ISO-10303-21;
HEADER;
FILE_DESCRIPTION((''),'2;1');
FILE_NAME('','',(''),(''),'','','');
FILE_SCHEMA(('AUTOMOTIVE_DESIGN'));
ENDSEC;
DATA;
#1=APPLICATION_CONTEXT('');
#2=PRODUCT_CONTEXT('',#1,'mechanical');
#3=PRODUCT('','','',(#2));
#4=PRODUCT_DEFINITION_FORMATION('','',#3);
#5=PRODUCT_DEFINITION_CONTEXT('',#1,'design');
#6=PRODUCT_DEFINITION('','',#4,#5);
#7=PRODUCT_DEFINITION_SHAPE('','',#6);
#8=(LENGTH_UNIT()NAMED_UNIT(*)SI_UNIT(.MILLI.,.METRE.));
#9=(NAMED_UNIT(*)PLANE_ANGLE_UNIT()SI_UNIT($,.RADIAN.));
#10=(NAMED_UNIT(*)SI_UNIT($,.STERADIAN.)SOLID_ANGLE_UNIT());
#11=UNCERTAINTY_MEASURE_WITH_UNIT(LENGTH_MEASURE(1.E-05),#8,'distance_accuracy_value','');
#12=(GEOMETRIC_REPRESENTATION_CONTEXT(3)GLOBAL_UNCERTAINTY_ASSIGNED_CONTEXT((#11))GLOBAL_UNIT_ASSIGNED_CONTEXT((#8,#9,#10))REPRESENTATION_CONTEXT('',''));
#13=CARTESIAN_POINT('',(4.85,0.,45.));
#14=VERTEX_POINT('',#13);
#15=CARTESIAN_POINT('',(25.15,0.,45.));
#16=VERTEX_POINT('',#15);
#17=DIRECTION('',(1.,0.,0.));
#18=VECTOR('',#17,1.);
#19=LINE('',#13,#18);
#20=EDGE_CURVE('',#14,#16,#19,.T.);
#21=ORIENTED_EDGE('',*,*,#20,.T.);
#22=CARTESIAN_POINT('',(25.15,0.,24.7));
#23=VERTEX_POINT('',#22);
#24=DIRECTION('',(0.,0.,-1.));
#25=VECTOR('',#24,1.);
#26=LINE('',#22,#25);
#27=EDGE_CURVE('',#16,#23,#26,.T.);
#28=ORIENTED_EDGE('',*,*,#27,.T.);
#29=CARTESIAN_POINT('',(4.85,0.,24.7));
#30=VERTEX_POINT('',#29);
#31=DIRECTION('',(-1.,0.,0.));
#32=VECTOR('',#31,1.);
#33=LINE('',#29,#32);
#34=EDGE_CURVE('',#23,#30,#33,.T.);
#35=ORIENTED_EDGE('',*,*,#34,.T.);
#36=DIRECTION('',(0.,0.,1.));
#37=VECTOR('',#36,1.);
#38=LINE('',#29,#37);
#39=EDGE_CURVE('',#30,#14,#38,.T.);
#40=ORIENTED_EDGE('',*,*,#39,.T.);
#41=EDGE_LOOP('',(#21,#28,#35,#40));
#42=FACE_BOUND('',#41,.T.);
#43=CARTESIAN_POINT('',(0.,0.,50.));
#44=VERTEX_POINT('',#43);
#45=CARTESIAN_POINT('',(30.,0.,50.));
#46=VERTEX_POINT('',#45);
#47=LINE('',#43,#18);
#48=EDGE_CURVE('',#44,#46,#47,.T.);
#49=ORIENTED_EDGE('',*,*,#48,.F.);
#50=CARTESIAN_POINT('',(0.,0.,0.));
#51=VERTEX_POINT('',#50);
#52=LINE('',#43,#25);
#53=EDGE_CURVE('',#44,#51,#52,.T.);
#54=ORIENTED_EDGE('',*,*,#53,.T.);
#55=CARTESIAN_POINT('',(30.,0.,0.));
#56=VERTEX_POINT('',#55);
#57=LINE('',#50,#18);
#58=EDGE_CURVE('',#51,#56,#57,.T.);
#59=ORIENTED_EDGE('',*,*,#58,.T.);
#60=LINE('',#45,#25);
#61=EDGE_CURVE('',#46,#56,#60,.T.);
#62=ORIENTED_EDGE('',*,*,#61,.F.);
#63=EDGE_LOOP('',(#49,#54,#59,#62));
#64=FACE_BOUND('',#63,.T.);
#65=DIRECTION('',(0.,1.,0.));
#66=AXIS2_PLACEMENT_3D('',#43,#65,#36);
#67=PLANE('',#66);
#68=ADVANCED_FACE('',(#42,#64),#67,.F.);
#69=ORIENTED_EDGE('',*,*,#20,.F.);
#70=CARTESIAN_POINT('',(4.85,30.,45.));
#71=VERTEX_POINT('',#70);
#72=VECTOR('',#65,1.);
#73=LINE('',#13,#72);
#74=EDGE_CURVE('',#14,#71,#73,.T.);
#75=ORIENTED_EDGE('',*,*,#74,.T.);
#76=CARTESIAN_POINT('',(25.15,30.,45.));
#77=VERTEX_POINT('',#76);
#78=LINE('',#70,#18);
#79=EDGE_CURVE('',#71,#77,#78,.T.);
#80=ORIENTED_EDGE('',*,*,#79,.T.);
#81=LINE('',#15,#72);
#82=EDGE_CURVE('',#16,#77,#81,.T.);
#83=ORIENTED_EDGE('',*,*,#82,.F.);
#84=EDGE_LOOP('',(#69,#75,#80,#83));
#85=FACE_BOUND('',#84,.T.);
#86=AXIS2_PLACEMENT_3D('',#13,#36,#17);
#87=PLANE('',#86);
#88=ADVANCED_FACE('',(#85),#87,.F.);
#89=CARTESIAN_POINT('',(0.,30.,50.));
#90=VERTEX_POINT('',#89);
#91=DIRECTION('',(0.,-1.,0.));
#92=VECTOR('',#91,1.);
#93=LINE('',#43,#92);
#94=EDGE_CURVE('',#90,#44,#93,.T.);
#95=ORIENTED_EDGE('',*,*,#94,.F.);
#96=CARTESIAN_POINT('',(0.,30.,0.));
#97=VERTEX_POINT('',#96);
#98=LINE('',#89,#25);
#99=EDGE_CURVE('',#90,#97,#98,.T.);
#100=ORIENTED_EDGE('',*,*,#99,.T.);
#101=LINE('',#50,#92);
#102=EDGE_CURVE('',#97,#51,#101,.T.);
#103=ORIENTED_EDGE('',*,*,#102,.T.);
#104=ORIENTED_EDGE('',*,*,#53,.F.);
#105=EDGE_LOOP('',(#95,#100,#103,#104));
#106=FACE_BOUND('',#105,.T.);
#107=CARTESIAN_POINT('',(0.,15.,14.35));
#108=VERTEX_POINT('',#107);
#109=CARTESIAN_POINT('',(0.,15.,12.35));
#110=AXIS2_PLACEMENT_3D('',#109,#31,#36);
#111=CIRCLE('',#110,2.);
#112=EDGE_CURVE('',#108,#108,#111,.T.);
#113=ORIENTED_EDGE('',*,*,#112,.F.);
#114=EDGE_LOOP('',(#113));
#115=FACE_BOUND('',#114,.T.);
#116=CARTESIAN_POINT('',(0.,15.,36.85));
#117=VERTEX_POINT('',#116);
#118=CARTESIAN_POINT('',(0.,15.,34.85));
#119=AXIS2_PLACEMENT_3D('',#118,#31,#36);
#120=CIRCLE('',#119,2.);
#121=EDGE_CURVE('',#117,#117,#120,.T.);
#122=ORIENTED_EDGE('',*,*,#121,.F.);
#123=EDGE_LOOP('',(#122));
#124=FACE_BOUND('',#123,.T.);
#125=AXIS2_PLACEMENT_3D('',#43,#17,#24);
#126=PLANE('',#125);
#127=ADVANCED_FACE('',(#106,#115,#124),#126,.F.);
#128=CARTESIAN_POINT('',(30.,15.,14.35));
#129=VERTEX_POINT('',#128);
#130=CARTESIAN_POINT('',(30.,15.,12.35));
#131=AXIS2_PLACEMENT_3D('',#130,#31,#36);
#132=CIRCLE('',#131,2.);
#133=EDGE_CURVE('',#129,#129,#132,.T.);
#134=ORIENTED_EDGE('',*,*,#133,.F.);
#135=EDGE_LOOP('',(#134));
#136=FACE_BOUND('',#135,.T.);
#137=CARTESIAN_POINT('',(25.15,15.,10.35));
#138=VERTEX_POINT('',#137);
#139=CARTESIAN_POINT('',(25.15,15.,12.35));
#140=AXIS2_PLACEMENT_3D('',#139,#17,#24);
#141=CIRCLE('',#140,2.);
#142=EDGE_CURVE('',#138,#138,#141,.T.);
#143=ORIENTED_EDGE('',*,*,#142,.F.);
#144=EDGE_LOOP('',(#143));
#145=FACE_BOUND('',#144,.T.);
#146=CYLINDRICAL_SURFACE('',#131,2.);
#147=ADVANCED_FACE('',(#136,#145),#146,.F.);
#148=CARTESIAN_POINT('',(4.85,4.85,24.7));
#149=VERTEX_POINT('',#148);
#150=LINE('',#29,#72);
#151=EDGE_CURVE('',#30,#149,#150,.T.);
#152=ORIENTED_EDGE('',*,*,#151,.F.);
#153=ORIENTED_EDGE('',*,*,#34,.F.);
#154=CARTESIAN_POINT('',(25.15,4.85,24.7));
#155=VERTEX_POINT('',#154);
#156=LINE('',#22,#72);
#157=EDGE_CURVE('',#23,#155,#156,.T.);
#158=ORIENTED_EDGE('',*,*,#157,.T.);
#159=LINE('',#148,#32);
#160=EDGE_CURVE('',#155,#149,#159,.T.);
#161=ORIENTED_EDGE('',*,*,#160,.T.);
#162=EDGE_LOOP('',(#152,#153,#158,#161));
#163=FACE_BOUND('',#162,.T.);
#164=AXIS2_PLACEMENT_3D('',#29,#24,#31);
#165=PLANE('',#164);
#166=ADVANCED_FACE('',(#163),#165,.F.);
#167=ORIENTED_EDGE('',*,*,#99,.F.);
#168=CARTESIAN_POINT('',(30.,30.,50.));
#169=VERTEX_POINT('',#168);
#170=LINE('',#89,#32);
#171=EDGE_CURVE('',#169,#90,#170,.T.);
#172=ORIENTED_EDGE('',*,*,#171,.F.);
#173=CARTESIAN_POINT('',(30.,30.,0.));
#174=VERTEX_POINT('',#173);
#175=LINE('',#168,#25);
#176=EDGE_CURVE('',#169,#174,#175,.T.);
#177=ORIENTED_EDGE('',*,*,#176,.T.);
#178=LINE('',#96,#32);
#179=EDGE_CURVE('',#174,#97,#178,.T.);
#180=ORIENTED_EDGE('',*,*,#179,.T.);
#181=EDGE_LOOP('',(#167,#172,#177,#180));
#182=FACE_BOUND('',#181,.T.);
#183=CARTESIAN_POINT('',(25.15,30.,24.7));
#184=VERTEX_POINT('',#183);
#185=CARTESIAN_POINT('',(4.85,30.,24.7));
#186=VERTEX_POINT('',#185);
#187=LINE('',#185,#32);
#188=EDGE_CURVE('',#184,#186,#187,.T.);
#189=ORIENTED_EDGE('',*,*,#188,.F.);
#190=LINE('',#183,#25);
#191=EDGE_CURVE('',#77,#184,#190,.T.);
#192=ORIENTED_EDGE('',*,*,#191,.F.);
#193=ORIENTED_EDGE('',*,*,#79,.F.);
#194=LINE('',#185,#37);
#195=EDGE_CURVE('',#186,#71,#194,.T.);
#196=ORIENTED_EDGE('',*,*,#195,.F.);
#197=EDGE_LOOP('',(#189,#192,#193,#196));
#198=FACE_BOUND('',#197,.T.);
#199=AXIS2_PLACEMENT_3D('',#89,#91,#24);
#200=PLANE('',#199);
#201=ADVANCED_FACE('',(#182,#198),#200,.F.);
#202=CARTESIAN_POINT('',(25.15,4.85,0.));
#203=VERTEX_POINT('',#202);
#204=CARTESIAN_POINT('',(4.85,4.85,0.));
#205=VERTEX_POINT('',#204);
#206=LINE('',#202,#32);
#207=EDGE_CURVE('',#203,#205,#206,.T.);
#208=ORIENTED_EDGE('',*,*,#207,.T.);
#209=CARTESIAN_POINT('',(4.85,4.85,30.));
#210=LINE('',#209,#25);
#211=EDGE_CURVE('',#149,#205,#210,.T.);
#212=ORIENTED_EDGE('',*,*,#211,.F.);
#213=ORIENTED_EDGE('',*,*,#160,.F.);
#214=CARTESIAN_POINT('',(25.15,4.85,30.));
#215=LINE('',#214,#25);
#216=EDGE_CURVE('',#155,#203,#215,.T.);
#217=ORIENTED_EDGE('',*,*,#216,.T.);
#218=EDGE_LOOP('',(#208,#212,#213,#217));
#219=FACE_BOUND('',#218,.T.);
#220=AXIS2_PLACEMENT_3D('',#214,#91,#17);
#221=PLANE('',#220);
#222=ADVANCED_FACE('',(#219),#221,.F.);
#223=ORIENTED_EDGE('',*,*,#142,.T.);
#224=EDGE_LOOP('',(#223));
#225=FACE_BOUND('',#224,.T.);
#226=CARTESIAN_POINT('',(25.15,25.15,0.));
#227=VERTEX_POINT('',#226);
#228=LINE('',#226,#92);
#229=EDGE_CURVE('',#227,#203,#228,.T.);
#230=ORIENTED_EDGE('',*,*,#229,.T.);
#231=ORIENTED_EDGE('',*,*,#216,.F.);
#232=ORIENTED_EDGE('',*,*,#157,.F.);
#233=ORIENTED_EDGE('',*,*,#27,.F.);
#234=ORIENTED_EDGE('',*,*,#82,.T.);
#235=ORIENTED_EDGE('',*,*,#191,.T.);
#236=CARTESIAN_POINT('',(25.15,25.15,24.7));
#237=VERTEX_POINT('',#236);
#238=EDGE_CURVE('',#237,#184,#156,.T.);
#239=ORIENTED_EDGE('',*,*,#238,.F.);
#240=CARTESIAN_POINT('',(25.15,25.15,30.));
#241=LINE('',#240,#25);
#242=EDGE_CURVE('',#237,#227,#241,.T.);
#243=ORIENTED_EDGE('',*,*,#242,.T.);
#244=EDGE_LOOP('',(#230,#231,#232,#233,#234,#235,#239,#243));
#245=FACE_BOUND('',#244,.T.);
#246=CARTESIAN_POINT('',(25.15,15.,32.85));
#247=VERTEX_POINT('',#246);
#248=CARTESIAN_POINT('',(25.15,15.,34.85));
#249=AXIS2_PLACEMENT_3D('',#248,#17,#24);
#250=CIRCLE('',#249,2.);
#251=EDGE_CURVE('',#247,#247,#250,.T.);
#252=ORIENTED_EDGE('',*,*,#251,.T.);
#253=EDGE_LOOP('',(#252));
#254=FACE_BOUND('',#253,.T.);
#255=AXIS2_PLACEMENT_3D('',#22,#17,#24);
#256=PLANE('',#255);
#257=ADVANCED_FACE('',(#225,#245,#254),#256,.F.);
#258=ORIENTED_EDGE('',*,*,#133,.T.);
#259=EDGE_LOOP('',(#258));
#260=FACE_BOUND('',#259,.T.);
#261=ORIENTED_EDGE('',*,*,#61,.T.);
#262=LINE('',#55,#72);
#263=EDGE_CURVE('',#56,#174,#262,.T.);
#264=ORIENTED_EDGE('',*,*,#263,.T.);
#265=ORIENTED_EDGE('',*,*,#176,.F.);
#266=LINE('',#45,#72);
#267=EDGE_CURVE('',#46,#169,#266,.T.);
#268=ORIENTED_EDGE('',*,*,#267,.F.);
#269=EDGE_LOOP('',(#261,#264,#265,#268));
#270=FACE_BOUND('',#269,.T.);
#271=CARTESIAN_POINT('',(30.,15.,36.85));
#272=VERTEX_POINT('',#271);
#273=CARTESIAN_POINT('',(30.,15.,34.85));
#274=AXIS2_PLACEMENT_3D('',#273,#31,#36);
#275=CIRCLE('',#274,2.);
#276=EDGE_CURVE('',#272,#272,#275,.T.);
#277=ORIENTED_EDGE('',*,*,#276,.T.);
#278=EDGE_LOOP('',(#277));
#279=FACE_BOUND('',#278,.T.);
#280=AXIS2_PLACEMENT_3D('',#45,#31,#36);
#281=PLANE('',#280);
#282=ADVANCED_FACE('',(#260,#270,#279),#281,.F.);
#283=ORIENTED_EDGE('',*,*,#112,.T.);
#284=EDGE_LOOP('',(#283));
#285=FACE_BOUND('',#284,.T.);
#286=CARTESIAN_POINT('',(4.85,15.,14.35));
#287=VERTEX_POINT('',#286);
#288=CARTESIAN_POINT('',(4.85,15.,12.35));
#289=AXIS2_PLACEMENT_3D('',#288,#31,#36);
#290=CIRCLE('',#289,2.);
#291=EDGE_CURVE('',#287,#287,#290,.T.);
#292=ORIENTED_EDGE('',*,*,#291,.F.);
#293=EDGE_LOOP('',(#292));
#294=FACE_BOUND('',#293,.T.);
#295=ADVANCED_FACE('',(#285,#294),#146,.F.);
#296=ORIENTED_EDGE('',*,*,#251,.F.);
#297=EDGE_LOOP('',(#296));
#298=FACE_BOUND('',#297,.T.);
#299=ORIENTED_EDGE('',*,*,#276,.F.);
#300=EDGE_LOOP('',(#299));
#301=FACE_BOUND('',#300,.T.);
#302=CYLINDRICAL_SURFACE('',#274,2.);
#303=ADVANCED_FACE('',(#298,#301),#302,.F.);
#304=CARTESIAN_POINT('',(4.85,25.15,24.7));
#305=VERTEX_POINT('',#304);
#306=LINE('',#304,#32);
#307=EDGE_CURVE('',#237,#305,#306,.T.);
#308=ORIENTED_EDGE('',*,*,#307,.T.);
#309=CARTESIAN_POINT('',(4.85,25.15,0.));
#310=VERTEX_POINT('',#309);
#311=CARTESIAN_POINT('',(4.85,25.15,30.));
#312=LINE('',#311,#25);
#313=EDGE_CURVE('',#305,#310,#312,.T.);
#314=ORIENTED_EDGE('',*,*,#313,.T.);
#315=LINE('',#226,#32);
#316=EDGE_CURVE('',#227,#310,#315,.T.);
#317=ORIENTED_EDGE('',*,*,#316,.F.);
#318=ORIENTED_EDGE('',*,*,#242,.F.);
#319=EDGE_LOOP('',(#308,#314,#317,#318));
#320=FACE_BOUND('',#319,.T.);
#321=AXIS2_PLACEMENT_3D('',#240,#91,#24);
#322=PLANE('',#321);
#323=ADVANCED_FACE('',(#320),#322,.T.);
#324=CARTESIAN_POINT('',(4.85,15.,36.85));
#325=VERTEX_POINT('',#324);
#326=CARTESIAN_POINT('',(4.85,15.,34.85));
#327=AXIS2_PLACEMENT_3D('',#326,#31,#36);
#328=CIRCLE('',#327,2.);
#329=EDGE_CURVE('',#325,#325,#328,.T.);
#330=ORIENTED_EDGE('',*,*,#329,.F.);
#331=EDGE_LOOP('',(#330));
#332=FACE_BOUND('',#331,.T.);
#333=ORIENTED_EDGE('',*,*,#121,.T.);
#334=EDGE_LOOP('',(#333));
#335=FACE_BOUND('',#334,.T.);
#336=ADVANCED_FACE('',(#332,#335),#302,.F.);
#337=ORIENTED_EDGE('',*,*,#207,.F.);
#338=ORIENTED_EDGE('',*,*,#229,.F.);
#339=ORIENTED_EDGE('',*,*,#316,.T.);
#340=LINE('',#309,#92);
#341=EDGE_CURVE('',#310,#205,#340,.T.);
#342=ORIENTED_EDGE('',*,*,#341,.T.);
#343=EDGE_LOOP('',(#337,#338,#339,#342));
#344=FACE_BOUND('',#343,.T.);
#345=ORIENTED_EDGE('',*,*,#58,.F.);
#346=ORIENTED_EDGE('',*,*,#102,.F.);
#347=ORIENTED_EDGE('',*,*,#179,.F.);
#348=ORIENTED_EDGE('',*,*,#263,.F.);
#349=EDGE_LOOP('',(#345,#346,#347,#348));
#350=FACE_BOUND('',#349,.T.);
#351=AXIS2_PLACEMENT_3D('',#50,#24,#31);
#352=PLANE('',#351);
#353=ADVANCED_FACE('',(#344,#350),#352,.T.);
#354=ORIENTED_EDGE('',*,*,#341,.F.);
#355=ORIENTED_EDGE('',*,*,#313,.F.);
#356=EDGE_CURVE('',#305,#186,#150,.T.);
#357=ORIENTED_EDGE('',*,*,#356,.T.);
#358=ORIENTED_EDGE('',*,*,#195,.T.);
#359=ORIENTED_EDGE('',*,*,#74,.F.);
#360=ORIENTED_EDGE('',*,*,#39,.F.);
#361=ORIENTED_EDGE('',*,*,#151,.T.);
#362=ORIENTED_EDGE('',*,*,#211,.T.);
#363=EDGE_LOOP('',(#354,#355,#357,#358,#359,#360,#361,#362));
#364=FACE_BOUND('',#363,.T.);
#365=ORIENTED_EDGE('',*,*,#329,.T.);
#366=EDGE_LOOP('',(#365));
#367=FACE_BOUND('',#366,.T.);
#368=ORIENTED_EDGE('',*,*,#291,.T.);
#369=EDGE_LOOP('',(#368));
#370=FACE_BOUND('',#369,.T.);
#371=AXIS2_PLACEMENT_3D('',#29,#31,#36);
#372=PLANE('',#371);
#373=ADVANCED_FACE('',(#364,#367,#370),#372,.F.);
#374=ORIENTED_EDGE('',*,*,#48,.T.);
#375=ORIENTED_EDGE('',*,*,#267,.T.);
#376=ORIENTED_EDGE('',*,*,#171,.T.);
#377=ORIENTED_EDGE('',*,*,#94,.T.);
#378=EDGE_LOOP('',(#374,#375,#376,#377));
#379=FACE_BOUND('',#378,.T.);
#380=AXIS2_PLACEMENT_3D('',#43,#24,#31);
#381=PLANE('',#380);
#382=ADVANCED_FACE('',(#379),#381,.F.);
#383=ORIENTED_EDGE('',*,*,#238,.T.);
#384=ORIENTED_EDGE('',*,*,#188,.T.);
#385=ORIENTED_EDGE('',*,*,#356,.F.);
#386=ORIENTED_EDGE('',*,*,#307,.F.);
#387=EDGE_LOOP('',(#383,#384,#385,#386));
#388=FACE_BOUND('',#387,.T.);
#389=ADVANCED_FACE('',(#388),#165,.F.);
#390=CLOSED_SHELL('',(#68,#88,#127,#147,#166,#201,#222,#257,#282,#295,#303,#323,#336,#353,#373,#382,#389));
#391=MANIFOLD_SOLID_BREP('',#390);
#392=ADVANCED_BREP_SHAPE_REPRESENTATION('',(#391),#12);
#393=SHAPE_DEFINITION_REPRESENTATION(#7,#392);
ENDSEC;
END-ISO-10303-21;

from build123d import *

# Parameters (mm, degrees)
SKETCH1_W           = 30
SKETCH1_H           = 30
BOSS_EXTRUDE1_DEPTH = 50
SKETCH3_W           = 20.3
SKETCH3_H           = 20.3
CUT_EXTRUDE1_DEPTH  = 66.574385243
SKETCH2_W           = 20.3
SKETCH2_H           = 20.3
CUT_EXTRUDE2_DEPTH  = 30
SKETCH5_R           = 2
CUT_EXTRUDE3_DEPTH  = 66.574385243


with BuildPart() as part:
    # Sketch1 → Boss-Extrude1 (new body)
    with BuildSketch(Plane.XY):
        with Locations((15, 15)):
            Rectangle(SKETCH1_W, SKETCH1_H)
    extrude(amount=BOSS_EXTRUDE1_DEPTH)

    # Sketch3 → Cut-Extrude1 (cut, through all)
    with BuildSketch(Plane(origin=(0, 30, 0), x_dir=(1, 0, 0), z_dir=(0, 1, 0))):
        with Locations((15, -34.85)):
            Rectangle(SKETCH3_W, SKETCH3_H)
    extrude(amount=-CUT_EXTRUDE1_DEPTH, mode=Mode.SUBTRACT)

    # Sketch2 → Cut-Extrude2 (cut)
    with BuildSketch(Plane(origin=(0, 0, 0), x_dir=(-1, 0, 0), z_dir=(0, 0, -1))):
        with Locations((-15, 15)):
            Rectangle(SKETCH2_W, SKETCH2_H)
    extrude(amount=-CUT_EXTRUDE2_DEPTH, mode=Mode.SUBTRACT)

    # Sketch5 → Cut-Extrude3 (cut, through all)
    with BuildSketch(Plane.ZY):
        with Locations((34.85, 15)):
            Circle(SKETCH5_R)
        with Locations((12.35, 15)):
            Circle(SKETCH5_R)
    extrude(amount=-CUT_EXTRUDE3_DEPTH, mode=Mode.SUBTRACT)


solid = part.part
